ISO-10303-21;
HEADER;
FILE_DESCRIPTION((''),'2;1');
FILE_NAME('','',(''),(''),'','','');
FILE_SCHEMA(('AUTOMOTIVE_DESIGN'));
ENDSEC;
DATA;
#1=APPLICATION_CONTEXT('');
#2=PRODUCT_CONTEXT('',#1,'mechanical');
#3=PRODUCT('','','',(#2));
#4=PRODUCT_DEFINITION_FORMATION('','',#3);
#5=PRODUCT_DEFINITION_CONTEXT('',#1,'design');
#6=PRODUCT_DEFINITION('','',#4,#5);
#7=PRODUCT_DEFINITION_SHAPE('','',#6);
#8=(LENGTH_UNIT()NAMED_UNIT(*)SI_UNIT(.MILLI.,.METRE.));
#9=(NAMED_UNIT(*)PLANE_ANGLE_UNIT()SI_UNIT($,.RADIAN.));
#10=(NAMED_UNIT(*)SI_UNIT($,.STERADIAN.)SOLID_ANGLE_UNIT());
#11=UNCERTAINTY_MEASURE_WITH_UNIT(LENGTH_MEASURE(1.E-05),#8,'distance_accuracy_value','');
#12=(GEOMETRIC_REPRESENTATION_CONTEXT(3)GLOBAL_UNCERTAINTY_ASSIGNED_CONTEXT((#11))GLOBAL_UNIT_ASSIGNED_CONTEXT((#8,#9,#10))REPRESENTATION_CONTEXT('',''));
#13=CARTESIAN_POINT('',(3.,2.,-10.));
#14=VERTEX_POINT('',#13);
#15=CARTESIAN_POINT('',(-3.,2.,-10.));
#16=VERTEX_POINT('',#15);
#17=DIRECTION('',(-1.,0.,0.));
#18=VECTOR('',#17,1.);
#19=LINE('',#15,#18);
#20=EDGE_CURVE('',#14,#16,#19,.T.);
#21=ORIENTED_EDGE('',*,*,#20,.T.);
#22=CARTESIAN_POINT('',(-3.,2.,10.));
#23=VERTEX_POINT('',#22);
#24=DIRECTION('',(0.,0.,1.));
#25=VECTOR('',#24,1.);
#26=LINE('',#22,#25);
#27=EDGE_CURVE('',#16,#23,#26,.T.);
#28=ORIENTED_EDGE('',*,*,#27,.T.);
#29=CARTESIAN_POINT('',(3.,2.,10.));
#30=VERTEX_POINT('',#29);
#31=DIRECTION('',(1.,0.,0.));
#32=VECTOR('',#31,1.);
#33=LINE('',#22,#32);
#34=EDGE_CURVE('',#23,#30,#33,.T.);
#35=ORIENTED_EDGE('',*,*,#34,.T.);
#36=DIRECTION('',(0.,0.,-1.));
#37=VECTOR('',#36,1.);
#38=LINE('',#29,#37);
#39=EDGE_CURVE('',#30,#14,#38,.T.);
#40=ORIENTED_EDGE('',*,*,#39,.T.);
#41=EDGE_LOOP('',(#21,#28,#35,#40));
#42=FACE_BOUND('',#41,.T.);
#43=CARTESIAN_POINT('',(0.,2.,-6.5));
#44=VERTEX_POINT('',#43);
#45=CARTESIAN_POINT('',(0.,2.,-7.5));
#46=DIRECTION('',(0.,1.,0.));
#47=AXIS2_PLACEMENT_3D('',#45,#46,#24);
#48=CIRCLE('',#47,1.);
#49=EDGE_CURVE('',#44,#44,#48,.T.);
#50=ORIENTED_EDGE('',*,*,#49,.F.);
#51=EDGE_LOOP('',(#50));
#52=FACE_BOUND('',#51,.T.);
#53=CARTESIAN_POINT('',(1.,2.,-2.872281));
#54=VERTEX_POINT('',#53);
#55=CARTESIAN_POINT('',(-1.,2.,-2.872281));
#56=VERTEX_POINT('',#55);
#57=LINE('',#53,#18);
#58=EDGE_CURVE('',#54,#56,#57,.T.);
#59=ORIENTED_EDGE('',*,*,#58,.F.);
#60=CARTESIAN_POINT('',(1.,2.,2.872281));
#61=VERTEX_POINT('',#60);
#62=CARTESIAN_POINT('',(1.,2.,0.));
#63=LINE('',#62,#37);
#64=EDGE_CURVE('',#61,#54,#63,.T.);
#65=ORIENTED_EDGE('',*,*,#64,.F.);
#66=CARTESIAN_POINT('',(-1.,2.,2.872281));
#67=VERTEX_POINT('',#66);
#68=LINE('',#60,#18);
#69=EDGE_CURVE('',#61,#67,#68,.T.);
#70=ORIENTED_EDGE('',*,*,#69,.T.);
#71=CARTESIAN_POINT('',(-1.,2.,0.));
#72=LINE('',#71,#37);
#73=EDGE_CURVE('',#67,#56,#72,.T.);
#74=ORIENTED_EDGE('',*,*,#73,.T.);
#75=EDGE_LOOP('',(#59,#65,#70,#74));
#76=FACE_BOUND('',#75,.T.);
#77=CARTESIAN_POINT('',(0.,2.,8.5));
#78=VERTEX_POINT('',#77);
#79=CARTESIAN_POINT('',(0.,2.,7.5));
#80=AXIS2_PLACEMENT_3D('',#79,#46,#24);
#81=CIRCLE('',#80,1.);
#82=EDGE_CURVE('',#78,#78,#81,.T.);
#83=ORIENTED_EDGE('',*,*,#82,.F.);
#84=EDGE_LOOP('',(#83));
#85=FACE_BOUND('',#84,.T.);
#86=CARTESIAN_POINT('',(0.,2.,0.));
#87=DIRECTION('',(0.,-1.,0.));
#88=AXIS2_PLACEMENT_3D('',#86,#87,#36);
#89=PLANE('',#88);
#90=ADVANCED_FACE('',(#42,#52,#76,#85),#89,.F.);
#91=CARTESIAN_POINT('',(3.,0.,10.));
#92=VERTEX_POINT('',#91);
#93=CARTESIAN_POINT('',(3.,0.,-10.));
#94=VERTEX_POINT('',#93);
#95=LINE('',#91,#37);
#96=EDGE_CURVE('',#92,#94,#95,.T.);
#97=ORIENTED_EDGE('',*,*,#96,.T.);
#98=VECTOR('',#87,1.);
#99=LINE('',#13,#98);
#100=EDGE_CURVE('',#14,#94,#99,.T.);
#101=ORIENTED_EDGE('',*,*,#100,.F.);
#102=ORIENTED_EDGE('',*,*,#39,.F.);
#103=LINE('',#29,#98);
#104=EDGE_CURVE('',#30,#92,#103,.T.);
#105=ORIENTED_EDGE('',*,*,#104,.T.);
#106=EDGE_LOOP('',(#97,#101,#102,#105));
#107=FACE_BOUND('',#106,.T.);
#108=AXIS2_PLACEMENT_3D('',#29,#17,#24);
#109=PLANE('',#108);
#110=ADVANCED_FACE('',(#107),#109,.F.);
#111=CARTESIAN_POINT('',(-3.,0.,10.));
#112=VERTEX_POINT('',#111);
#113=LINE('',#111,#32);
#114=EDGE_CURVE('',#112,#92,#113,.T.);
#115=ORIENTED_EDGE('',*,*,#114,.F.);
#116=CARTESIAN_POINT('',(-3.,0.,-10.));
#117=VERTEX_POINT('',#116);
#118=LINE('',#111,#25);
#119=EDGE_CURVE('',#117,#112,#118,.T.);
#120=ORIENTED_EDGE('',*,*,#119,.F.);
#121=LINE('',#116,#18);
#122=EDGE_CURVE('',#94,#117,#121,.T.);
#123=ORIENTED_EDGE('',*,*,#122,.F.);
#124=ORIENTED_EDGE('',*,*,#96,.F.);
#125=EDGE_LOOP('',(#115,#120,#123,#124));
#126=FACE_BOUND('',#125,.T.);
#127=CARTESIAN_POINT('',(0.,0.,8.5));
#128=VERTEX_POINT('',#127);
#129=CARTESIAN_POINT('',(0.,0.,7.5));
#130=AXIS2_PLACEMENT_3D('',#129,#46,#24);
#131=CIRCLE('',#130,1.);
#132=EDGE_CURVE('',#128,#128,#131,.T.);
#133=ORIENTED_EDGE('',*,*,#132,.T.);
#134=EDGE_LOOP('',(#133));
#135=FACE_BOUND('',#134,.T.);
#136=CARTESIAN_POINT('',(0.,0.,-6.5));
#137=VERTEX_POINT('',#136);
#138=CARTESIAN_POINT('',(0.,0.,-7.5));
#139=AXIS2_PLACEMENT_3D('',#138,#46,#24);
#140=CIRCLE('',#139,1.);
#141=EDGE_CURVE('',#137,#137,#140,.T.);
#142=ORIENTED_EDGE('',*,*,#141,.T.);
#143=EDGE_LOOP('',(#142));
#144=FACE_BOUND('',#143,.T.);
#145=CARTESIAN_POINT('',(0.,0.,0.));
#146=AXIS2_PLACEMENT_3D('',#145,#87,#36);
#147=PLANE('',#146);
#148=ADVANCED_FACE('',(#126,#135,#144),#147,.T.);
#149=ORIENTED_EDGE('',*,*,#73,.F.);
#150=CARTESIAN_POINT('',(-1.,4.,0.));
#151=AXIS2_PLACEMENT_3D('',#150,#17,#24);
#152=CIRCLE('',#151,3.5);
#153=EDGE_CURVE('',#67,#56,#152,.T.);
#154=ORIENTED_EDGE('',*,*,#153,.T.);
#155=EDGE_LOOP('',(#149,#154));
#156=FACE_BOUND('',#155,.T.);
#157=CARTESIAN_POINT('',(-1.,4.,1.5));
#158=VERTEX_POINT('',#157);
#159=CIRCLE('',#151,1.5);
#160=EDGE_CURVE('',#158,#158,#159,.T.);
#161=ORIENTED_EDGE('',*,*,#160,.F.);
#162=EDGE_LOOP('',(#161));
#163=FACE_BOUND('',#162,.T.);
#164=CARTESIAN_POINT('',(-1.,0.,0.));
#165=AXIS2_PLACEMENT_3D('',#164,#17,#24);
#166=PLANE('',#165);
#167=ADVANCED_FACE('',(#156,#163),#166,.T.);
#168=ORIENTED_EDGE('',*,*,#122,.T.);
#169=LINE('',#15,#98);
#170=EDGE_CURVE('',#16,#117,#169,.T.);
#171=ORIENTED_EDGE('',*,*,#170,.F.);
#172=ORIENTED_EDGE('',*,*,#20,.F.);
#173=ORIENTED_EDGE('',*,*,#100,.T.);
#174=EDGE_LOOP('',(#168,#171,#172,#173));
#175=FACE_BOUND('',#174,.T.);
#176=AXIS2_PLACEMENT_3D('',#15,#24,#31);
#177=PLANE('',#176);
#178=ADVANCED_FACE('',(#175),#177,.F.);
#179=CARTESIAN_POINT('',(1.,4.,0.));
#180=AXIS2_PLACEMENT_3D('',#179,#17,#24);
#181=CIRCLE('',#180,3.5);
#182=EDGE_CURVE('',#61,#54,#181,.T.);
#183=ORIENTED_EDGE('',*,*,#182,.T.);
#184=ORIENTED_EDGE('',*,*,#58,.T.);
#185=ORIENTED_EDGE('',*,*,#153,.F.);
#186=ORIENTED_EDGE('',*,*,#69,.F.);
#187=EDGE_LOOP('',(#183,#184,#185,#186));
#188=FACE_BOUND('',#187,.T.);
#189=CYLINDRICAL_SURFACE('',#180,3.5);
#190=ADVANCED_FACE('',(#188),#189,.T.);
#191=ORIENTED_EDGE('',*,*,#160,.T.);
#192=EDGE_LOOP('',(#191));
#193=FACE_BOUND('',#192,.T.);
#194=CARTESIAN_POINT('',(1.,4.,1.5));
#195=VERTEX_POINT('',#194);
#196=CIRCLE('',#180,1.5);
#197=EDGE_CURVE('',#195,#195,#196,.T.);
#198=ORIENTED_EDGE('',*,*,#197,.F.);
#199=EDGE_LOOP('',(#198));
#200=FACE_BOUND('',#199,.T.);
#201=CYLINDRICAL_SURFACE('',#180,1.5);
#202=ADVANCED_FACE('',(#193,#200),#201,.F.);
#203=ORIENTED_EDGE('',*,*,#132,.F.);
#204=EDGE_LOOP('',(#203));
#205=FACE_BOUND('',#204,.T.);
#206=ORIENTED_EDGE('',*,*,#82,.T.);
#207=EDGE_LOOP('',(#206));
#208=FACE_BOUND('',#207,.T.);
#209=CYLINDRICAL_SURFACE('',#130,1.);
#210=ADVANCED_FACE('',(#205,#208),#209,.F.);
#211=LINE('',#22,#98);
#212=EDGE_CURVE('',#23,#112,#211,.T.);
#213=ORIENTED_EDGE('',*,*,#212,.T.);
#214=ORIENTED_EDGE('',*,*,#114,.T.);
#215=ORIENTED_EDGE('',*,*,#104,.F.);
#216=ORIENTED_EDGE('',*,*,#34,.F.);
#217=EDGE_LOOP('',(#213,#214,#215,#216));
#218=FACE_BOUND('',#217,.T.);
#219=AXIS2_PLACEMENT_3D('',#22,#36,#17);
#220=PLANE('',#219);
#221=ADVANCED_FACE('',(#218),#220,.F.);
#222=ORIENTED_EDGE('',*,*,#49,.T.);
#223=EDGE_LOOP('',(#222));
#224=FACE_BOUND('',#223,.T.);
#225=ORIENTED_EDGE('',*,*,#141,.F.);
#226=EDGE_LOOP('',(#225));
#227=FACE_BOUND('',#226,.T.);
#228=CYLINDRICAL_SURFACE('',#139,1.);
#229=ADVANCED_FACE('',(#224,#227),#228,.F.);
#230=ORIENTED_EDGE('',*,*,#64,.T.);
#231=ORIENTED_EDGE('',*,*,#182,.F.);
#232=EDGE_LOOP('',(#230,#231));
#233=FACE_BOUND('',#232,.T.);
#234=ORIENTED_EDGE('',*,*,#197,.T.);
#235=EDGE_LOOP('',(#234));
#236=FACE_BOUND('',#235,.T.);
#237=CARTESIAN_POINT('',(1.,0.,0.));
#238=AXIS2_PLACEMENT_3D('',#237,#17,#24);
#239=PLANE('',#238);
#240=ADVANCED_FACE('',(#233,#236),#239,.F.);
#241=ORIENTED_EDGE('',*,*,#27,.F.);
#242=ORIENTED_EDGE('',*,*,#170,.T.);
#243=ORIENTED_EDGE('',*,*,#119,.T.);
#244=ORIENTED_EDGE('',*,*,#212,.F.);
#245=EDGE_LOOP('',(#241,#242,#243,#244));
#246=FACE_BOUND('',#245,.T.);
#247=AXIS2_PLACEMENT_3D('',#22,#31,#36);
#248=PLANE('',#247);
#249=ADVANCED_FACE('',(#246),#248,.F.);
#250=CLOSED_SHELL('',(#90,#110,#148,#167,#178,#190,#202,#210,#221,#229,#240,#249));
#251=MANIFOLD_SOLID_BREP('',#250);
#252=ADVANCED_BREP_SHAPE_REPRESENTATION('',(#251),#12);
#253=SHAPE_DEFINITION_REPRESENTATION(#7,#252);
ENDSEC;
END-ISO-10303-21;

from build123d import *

# Parameters (mm, degrees)
SKETCH_4_W          = 6
SKETCH_4_H          = 20
EXTRUDE_1_DEPTH     = 2
EXTRUDE_START       = -2
SKETCH_6_R          = 3.5
SKETCH_6_R_2        = 1.5
EXTRUDE_3_DEPTH     = 2
SKETCH_7_R          = 1
CUT_EXTRUDE_1_DEPTH = 12.800423721


with BuildPart() as part:
    # 草图4 → 凸台-拉伸1 (new body)
    with BuildSketch(Plane(origin=(0, 0, 0), x_dir=(1, 0, 0), z_dir=(0, 1, 0))):
        Rectangle(SKETCH_4_W, SKETCH_4_H)
    extrude(amount=EXTRUDE_1_DEPTH)

    # 草图6 → 凸台-拉伸3 (add)
    with BuildSketch(Plane.ZY.offset(3).offset(EXTRUDE_START)):
        with Locations((0, 4)):
            Circle(SKETCH_6_R)
        with Locations((0, 4)):
            Circle(SKETCH_6_R_2, mode=Mode.SUBTRACT)
    extrude(amount=-EXTRUDE_3_DEPTH)

    # 草图7 → 切除-拉伸1 (cut, through all)
    with BuildSketch(Plane(origin=(0, 2, 0), x_dir=(1, 0, 0), z_dir=(0, 1, 0))):
        with Locations(Location((0, -7.5, 0), (0, 0, 270))):
            Circle(SKETCH_7_R)
        with Locations(Location((0, 7.5, 0), (0, 0, 270))):
            Circle(SKETCH_7_R)
    extrude(amount=-CUT_EXTRUDE_1_DEPTH, mode=Mode.SUBTRACT)


solid = part.part
